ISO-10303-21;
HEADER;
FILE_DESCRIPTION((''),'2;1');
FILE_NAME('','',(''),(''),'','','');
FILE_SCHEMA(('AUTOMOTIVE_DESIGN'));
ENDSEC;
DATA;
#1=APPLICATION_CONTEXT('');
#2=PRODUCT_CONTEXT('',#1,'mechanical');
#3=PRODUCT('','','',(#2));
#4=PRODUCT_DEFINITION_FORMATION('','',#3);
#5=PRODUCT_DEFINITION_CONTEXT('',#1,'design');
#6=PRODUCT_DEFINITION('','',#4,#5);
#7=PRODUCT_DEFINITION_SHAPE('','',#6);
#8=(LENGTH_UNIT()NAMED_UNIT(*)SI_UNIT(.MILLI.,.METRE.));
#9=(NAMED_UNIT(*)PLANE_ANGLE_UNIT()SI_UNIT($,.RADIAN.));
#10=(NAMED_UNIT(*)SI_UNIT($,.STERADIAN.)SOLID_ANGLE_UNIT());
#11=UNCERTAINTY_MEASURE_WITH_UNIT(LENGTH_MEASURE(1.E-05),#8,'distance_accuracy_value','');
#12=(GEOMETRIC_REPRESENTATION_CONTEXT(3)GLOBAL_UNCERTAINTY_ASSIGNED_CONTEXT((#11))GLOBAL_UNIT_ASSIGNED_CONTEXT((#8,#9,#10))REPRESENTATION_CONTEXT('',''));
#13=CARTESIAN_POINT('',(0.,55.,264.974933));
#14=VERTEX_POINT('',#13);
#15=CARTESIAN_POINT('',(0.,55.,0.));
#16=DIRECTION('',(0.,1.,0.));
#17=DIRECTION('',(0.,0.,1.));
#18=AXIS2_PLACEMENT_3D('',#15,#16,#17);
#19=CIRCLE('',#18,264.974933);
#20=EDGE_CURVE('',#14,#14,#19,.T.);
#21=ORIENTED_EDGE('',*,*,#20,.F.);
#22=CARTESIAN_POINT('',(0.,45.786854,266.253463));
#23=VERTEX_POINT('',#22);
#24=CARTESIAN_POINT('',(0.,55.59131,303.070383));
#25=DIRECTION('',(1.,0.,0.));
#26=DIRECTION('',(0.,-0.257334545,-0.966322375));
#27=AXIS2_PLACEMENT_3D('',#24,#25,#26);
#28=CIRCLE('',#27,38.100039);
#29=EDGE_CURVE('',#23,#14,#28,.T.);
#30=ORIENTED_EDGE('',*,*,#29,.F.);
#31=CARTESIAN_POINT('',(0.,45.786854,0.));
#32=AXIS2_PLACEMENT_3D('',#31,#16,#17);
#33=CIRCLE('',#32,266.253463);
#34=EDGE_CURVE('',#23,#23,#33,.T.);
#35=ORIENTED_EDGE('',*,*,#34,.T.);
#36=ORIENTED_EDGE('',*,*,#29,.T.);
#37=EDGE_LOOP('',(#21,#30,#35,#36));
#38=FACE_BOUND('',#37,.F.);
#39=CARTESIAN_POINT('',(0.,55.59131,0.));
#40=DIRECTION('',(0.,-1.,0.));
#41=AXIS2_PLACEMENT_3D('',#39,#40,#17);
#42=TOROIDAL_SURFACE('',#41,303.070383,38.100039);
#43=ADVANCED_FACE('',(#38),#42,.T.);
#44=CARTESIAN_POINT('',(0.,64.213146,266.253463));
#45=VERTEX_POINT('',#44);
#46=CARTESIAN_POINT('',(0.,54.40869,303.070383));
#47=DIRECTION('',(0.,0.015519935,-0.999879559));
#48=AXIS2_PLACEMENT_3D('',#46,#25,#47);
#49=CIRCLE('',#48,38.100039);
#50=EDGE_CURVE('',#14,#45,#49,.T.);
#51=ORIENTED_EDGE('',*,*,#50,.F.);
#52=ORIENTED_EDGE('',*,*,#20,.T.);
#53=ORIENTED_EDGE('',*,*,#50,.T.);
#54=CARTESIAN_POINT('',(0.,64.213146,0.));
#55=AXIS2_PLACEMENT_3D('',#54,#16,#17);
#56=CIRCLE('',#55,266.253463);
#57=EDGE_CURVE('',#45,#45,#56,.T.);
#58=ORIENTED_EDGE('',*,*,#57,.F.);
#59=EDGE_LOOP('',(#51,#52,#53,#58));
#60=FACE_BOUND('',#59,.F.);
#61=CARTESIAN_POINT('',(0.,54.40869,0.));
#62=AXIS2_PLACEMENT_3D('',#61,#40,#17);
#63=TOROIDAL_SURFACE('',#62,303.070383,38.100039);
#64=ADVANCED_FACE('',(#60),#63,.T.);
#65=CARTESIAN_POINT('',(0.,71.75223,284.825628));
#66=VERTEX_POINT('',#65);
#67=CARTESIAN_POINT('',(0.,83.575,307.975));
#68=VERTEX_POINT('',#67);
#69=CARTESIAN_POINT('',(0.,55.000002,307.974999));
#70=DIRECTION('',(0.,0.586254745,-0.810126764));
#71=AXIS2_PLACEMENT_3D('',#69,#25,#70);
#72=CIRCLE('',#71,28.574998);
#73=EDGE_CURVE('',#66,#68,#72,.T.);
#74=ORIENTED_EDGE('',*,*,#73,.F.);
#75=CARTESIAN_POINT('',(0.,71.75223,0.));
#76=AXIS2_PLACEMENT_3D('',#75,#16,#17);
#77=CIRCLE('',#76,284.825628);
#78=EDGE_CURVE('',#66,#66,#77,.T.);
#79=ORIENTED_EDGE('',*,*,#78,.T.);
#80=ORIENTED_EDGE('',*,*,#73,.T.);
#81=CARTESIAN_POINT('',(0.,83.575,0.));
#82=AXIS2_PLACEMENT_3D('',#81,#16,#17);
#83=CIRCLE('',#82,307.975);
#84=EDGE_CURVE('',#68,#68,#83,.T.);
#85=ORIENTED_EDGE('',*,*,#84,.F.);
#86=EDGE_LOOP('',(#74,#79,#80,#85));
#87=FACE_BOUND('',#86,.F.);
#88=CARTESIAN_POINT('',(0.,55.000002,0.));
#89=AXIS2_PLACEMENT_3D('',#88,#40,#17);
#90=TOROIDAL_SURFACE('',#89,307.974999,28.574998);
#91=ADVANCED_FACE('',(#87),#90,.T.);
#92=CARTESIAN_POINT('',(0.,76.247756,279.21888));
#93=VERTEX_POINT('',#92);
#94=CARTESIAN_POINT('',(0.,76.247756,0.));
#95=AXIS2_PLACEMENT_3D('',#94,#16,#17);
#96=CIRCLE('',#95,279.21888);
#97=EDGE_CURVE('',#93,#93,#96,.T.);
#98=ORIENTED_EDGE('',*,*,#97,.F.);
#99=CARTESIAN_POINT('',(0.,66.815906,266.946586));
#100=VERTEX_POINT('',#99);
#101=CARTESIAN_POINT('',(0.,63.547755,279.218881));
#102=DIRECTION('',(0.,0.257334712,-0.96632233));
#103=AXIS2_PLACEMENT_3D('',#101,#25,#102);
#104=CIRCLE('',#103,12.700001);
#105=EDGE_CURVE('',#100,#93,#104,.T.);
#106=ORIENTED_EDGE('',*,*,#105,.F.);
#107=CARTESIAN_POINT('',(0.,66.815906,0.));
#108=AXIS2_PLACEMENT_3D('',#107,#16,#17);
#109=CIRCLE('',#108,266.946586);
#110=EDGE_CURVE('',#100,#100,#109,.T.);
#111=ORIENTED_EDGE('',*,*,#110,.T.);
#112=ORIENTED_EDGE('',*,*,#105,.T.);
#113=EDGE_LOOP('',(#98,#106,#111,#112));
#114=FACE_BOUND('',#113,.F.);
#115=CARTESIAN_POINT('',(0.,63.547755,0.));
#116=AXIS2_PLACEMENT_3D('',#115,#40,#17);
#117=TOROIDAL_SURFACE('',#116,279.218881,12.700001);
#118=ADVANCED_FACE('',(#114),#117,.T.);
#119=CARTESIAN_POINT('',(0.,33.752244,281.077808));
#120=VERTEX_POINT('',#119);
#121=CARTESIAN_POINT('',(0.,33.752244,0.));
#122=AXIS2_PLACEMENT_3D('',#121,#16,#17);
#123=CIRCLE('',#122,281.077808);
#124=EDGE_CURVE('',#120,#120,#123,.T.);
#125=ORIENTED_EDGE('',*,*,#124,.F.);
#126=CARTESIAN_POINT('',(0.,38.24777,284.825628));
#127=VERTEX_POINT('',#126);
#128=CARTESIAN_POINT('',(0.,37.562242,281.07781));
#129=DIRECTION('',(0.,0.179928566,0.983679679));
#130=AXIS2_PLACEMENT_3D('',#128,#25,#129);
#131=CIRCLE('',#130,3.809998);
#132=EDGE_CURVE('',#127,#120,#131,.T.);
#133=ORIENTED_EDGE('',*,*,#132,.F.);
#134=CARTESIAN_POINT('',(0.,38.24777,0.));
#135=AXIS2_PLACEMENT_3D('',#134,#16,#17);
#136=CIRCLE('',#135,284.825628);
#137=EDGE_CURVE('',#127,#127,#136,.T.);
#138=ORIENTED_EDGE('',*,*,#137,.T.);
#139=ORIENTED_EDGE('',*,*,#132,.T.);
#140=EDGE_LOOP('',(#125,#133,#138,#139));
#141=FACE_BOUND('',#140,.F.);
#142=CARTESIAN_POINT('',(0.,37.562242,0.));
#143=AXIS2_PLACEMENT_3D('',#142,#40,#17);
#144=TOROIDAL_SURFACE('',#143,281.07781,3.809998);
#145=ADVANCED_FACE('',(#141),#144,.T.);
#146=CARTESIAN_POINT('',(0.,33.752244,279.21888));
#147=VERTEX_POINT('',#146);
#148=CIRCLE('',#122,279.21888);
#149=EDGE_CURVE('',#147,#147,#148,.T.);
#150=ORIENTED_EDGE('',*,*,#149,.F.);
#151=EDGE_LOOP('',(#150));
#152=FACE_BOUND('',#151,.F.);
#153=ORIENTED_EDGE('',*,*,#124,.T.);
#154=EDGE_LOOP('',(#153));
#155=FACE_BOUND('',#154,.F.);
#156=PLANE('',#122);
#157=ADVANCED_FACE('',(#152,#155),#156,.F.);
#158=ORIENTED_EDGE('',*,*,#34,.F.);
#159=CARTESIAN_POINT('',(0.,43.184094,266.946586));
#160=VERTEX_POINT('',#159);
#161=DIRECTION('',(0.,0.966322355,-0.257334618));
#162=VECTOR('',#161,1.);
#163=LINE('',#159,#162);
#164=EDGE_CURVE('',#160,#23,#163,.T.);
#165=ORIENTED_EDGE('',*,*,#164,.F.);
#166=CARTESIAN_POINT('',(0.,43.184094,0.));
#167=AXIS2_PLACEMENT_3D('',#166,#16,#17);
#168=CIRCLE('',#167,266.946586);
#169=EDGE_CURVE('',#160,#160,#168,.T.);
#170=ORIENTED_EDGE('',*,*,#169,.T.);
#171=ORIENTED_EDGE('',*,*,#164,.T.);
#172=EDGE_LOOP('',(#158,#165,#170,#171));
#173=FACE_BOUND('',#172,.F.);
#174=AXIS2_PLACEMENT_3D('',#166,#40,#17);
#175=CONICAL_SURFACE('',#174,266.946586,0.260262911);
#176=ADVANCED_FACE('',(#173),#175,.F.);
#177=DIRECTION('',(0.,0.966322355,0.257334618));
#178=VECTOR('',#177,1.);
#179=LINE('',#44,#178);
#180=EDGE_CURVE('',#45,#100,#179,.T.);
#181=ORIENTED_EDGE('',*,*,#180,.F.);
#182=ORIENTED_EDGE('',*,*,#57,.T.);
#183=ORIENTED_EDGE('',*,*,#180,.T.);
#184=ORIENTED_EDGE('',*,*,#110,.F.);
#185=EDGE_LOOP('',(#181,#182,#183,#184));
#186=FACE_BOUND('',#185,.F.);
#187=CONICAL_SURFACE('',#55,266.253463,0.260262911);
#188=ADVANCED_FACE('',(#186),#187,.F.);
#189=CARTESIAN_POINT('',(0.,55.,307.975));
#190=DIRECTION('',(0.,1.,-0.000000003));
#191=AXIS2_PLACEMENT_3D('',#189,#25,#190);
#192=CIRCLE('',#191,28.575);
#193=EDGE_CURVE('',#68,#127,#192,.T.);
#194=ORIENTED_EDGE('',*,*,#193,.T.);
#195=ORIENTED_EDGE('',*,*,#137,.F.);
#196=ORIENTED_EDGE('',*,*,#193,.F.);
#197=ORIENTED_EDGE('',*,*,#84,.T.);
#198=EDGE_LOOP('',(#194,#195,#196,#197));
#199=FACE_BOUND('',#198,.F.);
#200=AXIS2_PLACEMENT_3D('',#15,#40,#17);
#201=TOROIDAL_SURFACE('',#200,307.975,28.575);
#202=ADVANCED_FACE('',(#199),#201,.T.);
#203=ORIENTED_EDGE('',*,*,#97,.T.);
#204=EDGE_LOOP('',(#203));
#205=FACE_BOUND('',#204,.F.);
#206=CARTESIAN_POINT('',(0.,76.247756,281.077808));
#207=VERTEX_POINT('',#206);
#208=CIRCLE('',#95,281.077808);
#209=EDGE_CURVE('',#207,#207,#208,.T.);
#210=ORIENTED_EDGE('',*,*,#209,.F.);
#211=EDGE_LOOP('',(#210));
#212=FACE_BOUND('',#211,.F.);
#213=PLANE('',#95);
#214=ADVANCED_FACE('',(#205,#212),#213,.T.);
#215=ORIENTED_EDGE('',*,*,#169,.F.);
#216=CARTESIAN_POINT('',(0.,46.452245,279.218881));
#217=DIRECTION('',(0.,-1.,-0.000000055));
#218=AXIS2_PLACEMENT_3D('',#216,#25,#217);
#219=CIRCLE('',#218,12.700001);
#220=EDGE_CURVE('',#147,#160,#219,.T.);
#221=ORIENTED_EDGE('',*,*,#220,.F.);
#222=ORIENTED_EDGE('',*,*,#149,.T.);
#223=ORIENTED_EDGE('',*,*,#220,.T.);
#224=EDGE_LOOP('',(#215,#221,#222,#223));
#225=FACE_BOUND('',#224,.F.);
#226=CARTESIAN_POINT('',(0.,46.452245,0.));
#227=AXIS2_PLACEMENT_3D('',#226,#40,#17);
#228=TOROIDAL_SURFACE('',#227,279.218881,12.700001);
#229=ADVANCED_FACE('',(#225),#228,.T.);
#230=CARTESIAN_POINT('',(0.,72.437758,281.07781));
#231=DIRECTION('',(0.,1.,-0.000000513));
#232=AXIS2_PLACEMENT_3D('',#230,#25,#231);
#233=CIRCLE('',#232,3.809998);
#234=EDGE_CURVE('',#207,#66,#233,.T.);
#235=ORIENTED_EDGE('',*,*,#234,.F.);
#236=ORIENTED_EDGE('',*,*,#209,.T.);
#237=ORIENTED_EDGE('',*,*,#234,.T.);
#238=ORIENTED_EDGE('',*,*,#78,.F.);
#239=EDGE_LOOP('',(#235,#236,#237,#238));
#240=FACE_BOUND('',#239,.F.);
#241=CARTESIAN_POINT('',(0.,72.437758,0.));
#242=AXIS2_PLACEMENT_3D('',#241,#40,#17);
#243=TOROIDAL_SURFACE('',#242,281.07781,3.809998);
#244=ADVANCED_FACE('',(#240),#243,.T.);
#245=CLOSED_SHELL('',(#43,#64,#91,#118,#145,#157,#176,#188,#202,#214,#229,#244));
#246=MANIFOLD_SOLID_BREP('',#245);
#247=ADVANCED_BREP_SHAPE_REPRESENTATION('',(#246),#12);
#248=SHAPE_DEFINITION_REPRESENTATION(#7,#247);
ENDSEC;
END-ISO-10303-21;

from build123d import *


with BuildPart() as f1:
    # F0 (on Right) → F1 (revolve)
    with BuildSketch(Plane.YZ):
        with BuildLine():
            Line((43.184094, 266.946586), (45.786854, 266.253463))
            ThreePointArc((45.786854, 266.253463), (50.354264, 265.33199), (55, 264.974933))
            ThreePointArc((55, 264.974933), (59.645736, 265.33199), (64.213146, 266.253463))
            Line((64.213146, 266.253463), (66.815906, 266.946586))
            ThreePointArc((66.815906, 266.946586), (73.617401, 271.479872), (76.247756, 279.21888))
            Line((76.247756, 279.21888), (76.247756, 281.077808))
            ThreePointArc((76.247756, 281.077808), (74.877454, 284.004236), (71.75223, 284.825628))
            ThreePointArc((71.75223, 284.825628), (55, 279.4), (38.24777, 284.825628))
            ThreePointArc((38.24777, 284.825628), (35.122546, 284.004236), (33.752244, 281.077808))
            Line((33.752244, 281.077808), (33.752244, 279.21888))
            ThreePointArc((33.752244, 279.21888), (36.382599, 271.479872), (43.184094, 266.946586))
        make_face()
        with BuildLine():
            ThreePointArc((83.575, 307.975), (42.003161, 333.423238), (38.24777, 284.825628))
            ThreePointArc((38.24777, 284.825628), (55, 279.4), (71.75223, 284.825628))
            ThreePointArc((71.75223, 284.825628), (80.448238, 294.978161), (83.575, 307.975))
        make_face()
    revolve(axis=Axis((0, 0.994938, 0), (0, 1, 0)))


solid = f1.part
